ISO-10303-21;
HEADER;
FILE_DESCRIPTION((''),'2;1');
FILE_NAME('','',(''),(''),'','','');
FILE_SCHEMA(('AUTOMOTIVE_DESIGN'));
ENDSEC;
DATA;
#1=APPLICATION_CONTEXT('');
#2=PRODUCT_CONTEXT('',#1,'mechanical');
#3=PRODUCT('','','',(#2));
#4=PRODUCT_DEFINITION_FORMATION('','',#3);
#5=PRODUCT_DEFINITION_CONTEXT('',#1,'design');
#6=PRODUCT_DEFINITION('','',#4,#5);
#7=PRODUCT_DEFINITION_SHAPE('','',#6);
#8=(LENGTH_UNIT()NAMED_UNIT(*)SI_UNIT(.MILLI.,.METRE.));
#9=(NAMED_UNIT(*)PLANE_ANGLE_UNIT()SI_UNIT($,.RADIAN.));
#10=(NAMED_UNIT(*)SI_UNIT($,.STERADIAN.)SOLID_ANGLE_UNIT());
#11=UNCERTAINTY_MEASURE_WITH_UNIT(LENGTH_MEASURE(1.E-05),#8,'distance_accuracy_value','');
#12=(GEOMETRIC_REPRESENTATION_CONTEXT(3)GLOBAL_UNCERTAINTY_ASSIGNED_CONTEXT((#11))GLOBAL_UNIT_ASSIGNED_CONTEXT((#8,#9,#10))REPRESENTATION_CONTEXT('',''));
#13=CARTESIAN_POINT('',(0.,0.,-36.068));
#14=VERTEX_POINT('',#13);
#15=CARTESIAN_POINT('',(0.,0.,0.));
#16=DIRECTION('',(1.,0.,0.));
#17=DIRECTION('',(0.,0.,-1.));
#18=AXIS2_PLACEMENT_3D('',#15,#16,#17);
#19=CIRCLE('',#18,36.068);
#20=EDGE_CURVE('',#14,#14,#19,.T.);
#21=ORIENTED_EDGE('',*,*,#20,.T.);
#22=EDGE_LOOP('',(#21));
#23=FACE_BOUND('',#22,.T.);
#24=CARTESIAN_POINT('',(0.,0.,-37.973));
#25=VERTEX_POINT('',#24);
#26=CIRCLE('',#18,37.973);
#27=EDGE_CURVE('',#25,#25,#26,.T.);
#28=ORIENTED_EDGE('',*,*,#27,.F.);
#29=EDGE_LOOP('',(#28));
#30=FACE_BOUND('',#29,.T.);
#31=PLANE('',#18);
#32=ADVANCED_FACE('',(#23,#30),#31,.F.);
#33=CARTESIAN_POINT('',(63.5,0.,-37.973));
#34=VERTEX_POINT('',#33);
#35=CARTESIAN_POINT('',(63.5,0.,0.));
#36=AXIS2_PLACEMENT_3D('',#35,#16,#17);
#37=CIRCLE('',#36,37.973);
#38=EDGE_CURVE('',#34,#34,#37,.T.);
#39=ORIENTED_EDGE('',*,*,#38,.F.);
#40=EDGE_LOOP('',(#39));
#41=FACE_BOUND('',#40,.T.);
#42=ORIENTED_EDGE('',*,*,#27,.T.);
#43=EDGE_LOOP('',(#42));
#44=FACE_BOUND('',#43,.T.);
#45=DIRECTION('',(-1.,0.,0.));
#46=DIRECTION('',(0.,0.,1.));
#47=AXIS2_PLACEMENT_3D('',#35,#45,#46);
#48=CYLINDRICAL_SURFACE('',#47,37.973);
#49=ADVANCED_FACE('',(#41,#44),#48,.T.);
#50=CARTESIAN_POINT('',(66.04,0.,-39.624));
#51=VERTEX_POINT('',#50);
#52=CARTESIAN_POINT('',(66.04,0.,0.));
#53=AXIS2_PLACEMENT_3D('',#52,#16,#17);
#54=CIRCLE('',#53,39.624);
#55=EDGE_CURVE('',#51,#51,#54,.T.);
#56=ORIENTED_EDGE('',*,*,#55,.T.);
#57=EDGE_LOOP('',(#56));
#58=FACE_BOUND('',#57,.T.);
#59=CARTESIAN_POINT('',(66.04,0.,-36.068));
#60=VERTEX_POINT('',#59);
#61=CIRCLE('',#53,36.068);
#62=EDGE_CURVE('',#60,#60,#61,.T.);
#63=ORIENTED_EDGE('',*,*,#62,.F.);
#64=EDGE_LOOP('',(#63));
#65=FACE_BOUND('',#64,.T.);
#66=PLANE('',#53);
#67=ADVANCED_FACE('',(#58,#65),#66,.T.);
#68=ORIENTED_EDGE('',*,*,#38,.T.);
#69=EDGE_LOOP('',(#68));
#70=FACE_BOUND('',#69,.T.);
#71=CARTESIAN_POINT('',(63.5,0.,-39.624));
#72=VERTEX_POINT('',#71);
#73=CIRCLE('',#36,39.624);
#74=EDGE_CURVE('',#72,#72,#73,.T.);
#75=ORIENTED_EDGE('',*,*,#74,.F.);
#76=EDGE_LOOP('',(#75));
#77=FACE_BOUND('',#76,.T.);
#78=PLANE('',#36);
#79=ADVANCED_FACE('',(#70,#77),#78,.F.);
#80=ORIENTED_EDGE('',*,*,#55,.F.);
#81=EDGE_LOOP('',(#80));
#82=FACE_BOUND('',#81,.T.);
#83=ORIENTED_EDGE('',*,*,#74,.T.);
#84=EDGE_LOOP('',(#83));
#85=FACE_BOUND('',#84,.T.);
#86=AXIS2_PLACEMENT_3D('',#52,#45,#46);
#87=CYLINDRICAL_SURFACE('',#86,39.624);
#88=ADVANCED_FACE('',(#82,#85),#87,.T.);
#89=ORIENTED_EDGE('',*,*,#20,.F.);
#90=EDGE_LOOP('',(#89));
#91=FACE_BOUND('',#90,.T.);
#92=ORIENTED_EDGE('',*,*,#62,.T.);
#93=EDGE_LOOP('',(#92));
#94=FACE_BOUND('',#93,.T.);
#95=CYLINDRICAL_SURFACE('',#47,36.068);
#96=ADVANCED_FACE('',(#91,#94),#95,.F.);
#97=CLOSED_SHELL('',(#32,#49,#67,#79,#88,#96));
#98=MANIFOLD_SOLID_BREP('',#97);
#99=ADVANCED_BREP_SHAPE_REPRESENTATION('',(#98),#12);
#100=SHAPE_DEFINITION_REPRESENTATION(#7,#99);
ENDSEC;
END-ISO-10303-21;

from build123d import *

# Parameters (mm, degrees)
SKETCH1_R           = 37.973
SKETCH1_R_2         = 36.068
BOSS_EXTRUDE1_DEPTH = 63.5
SKETCH2_R           = 39.624
SKETCH2_R_2         = 36.068
BOSS_EXTRUDE2_DEPTH = 2.54


with BuildPart() as part:
    # Sketch1 → Boss-Extrude1 (new body)
    with BuildSketch(Plane.YZ):
        with Locations(Location((0, 0, 0), (0, 0, 270))):
            Circle(SKETCH1_R)
        with Locations(Location((0, 0, 0), (0, 0, 270))):
            Circle(SKETCH1_R_2, mode=Mode.SUBTRACT)
    extrude(amount=BOSS_EXTRUDE1_DEPTH)

    # Sketch2 → Boss-Extrude2 (add)
    with BuildSketch(Plane.YZ.offset(63.5)):
        with Locations(Location((0, 0, 0), (0, 0, 270))):
            Circle(SKETCH2_R)
        with Locations(Location((0, 0, 0), (0, 0, 270))):
            Circle(SKETCH2_R_2, mode=Mode.SUBTRACT)
    extrude(amount=BOSS_EXTRUDE2_DEPTH)


solid = part.part
